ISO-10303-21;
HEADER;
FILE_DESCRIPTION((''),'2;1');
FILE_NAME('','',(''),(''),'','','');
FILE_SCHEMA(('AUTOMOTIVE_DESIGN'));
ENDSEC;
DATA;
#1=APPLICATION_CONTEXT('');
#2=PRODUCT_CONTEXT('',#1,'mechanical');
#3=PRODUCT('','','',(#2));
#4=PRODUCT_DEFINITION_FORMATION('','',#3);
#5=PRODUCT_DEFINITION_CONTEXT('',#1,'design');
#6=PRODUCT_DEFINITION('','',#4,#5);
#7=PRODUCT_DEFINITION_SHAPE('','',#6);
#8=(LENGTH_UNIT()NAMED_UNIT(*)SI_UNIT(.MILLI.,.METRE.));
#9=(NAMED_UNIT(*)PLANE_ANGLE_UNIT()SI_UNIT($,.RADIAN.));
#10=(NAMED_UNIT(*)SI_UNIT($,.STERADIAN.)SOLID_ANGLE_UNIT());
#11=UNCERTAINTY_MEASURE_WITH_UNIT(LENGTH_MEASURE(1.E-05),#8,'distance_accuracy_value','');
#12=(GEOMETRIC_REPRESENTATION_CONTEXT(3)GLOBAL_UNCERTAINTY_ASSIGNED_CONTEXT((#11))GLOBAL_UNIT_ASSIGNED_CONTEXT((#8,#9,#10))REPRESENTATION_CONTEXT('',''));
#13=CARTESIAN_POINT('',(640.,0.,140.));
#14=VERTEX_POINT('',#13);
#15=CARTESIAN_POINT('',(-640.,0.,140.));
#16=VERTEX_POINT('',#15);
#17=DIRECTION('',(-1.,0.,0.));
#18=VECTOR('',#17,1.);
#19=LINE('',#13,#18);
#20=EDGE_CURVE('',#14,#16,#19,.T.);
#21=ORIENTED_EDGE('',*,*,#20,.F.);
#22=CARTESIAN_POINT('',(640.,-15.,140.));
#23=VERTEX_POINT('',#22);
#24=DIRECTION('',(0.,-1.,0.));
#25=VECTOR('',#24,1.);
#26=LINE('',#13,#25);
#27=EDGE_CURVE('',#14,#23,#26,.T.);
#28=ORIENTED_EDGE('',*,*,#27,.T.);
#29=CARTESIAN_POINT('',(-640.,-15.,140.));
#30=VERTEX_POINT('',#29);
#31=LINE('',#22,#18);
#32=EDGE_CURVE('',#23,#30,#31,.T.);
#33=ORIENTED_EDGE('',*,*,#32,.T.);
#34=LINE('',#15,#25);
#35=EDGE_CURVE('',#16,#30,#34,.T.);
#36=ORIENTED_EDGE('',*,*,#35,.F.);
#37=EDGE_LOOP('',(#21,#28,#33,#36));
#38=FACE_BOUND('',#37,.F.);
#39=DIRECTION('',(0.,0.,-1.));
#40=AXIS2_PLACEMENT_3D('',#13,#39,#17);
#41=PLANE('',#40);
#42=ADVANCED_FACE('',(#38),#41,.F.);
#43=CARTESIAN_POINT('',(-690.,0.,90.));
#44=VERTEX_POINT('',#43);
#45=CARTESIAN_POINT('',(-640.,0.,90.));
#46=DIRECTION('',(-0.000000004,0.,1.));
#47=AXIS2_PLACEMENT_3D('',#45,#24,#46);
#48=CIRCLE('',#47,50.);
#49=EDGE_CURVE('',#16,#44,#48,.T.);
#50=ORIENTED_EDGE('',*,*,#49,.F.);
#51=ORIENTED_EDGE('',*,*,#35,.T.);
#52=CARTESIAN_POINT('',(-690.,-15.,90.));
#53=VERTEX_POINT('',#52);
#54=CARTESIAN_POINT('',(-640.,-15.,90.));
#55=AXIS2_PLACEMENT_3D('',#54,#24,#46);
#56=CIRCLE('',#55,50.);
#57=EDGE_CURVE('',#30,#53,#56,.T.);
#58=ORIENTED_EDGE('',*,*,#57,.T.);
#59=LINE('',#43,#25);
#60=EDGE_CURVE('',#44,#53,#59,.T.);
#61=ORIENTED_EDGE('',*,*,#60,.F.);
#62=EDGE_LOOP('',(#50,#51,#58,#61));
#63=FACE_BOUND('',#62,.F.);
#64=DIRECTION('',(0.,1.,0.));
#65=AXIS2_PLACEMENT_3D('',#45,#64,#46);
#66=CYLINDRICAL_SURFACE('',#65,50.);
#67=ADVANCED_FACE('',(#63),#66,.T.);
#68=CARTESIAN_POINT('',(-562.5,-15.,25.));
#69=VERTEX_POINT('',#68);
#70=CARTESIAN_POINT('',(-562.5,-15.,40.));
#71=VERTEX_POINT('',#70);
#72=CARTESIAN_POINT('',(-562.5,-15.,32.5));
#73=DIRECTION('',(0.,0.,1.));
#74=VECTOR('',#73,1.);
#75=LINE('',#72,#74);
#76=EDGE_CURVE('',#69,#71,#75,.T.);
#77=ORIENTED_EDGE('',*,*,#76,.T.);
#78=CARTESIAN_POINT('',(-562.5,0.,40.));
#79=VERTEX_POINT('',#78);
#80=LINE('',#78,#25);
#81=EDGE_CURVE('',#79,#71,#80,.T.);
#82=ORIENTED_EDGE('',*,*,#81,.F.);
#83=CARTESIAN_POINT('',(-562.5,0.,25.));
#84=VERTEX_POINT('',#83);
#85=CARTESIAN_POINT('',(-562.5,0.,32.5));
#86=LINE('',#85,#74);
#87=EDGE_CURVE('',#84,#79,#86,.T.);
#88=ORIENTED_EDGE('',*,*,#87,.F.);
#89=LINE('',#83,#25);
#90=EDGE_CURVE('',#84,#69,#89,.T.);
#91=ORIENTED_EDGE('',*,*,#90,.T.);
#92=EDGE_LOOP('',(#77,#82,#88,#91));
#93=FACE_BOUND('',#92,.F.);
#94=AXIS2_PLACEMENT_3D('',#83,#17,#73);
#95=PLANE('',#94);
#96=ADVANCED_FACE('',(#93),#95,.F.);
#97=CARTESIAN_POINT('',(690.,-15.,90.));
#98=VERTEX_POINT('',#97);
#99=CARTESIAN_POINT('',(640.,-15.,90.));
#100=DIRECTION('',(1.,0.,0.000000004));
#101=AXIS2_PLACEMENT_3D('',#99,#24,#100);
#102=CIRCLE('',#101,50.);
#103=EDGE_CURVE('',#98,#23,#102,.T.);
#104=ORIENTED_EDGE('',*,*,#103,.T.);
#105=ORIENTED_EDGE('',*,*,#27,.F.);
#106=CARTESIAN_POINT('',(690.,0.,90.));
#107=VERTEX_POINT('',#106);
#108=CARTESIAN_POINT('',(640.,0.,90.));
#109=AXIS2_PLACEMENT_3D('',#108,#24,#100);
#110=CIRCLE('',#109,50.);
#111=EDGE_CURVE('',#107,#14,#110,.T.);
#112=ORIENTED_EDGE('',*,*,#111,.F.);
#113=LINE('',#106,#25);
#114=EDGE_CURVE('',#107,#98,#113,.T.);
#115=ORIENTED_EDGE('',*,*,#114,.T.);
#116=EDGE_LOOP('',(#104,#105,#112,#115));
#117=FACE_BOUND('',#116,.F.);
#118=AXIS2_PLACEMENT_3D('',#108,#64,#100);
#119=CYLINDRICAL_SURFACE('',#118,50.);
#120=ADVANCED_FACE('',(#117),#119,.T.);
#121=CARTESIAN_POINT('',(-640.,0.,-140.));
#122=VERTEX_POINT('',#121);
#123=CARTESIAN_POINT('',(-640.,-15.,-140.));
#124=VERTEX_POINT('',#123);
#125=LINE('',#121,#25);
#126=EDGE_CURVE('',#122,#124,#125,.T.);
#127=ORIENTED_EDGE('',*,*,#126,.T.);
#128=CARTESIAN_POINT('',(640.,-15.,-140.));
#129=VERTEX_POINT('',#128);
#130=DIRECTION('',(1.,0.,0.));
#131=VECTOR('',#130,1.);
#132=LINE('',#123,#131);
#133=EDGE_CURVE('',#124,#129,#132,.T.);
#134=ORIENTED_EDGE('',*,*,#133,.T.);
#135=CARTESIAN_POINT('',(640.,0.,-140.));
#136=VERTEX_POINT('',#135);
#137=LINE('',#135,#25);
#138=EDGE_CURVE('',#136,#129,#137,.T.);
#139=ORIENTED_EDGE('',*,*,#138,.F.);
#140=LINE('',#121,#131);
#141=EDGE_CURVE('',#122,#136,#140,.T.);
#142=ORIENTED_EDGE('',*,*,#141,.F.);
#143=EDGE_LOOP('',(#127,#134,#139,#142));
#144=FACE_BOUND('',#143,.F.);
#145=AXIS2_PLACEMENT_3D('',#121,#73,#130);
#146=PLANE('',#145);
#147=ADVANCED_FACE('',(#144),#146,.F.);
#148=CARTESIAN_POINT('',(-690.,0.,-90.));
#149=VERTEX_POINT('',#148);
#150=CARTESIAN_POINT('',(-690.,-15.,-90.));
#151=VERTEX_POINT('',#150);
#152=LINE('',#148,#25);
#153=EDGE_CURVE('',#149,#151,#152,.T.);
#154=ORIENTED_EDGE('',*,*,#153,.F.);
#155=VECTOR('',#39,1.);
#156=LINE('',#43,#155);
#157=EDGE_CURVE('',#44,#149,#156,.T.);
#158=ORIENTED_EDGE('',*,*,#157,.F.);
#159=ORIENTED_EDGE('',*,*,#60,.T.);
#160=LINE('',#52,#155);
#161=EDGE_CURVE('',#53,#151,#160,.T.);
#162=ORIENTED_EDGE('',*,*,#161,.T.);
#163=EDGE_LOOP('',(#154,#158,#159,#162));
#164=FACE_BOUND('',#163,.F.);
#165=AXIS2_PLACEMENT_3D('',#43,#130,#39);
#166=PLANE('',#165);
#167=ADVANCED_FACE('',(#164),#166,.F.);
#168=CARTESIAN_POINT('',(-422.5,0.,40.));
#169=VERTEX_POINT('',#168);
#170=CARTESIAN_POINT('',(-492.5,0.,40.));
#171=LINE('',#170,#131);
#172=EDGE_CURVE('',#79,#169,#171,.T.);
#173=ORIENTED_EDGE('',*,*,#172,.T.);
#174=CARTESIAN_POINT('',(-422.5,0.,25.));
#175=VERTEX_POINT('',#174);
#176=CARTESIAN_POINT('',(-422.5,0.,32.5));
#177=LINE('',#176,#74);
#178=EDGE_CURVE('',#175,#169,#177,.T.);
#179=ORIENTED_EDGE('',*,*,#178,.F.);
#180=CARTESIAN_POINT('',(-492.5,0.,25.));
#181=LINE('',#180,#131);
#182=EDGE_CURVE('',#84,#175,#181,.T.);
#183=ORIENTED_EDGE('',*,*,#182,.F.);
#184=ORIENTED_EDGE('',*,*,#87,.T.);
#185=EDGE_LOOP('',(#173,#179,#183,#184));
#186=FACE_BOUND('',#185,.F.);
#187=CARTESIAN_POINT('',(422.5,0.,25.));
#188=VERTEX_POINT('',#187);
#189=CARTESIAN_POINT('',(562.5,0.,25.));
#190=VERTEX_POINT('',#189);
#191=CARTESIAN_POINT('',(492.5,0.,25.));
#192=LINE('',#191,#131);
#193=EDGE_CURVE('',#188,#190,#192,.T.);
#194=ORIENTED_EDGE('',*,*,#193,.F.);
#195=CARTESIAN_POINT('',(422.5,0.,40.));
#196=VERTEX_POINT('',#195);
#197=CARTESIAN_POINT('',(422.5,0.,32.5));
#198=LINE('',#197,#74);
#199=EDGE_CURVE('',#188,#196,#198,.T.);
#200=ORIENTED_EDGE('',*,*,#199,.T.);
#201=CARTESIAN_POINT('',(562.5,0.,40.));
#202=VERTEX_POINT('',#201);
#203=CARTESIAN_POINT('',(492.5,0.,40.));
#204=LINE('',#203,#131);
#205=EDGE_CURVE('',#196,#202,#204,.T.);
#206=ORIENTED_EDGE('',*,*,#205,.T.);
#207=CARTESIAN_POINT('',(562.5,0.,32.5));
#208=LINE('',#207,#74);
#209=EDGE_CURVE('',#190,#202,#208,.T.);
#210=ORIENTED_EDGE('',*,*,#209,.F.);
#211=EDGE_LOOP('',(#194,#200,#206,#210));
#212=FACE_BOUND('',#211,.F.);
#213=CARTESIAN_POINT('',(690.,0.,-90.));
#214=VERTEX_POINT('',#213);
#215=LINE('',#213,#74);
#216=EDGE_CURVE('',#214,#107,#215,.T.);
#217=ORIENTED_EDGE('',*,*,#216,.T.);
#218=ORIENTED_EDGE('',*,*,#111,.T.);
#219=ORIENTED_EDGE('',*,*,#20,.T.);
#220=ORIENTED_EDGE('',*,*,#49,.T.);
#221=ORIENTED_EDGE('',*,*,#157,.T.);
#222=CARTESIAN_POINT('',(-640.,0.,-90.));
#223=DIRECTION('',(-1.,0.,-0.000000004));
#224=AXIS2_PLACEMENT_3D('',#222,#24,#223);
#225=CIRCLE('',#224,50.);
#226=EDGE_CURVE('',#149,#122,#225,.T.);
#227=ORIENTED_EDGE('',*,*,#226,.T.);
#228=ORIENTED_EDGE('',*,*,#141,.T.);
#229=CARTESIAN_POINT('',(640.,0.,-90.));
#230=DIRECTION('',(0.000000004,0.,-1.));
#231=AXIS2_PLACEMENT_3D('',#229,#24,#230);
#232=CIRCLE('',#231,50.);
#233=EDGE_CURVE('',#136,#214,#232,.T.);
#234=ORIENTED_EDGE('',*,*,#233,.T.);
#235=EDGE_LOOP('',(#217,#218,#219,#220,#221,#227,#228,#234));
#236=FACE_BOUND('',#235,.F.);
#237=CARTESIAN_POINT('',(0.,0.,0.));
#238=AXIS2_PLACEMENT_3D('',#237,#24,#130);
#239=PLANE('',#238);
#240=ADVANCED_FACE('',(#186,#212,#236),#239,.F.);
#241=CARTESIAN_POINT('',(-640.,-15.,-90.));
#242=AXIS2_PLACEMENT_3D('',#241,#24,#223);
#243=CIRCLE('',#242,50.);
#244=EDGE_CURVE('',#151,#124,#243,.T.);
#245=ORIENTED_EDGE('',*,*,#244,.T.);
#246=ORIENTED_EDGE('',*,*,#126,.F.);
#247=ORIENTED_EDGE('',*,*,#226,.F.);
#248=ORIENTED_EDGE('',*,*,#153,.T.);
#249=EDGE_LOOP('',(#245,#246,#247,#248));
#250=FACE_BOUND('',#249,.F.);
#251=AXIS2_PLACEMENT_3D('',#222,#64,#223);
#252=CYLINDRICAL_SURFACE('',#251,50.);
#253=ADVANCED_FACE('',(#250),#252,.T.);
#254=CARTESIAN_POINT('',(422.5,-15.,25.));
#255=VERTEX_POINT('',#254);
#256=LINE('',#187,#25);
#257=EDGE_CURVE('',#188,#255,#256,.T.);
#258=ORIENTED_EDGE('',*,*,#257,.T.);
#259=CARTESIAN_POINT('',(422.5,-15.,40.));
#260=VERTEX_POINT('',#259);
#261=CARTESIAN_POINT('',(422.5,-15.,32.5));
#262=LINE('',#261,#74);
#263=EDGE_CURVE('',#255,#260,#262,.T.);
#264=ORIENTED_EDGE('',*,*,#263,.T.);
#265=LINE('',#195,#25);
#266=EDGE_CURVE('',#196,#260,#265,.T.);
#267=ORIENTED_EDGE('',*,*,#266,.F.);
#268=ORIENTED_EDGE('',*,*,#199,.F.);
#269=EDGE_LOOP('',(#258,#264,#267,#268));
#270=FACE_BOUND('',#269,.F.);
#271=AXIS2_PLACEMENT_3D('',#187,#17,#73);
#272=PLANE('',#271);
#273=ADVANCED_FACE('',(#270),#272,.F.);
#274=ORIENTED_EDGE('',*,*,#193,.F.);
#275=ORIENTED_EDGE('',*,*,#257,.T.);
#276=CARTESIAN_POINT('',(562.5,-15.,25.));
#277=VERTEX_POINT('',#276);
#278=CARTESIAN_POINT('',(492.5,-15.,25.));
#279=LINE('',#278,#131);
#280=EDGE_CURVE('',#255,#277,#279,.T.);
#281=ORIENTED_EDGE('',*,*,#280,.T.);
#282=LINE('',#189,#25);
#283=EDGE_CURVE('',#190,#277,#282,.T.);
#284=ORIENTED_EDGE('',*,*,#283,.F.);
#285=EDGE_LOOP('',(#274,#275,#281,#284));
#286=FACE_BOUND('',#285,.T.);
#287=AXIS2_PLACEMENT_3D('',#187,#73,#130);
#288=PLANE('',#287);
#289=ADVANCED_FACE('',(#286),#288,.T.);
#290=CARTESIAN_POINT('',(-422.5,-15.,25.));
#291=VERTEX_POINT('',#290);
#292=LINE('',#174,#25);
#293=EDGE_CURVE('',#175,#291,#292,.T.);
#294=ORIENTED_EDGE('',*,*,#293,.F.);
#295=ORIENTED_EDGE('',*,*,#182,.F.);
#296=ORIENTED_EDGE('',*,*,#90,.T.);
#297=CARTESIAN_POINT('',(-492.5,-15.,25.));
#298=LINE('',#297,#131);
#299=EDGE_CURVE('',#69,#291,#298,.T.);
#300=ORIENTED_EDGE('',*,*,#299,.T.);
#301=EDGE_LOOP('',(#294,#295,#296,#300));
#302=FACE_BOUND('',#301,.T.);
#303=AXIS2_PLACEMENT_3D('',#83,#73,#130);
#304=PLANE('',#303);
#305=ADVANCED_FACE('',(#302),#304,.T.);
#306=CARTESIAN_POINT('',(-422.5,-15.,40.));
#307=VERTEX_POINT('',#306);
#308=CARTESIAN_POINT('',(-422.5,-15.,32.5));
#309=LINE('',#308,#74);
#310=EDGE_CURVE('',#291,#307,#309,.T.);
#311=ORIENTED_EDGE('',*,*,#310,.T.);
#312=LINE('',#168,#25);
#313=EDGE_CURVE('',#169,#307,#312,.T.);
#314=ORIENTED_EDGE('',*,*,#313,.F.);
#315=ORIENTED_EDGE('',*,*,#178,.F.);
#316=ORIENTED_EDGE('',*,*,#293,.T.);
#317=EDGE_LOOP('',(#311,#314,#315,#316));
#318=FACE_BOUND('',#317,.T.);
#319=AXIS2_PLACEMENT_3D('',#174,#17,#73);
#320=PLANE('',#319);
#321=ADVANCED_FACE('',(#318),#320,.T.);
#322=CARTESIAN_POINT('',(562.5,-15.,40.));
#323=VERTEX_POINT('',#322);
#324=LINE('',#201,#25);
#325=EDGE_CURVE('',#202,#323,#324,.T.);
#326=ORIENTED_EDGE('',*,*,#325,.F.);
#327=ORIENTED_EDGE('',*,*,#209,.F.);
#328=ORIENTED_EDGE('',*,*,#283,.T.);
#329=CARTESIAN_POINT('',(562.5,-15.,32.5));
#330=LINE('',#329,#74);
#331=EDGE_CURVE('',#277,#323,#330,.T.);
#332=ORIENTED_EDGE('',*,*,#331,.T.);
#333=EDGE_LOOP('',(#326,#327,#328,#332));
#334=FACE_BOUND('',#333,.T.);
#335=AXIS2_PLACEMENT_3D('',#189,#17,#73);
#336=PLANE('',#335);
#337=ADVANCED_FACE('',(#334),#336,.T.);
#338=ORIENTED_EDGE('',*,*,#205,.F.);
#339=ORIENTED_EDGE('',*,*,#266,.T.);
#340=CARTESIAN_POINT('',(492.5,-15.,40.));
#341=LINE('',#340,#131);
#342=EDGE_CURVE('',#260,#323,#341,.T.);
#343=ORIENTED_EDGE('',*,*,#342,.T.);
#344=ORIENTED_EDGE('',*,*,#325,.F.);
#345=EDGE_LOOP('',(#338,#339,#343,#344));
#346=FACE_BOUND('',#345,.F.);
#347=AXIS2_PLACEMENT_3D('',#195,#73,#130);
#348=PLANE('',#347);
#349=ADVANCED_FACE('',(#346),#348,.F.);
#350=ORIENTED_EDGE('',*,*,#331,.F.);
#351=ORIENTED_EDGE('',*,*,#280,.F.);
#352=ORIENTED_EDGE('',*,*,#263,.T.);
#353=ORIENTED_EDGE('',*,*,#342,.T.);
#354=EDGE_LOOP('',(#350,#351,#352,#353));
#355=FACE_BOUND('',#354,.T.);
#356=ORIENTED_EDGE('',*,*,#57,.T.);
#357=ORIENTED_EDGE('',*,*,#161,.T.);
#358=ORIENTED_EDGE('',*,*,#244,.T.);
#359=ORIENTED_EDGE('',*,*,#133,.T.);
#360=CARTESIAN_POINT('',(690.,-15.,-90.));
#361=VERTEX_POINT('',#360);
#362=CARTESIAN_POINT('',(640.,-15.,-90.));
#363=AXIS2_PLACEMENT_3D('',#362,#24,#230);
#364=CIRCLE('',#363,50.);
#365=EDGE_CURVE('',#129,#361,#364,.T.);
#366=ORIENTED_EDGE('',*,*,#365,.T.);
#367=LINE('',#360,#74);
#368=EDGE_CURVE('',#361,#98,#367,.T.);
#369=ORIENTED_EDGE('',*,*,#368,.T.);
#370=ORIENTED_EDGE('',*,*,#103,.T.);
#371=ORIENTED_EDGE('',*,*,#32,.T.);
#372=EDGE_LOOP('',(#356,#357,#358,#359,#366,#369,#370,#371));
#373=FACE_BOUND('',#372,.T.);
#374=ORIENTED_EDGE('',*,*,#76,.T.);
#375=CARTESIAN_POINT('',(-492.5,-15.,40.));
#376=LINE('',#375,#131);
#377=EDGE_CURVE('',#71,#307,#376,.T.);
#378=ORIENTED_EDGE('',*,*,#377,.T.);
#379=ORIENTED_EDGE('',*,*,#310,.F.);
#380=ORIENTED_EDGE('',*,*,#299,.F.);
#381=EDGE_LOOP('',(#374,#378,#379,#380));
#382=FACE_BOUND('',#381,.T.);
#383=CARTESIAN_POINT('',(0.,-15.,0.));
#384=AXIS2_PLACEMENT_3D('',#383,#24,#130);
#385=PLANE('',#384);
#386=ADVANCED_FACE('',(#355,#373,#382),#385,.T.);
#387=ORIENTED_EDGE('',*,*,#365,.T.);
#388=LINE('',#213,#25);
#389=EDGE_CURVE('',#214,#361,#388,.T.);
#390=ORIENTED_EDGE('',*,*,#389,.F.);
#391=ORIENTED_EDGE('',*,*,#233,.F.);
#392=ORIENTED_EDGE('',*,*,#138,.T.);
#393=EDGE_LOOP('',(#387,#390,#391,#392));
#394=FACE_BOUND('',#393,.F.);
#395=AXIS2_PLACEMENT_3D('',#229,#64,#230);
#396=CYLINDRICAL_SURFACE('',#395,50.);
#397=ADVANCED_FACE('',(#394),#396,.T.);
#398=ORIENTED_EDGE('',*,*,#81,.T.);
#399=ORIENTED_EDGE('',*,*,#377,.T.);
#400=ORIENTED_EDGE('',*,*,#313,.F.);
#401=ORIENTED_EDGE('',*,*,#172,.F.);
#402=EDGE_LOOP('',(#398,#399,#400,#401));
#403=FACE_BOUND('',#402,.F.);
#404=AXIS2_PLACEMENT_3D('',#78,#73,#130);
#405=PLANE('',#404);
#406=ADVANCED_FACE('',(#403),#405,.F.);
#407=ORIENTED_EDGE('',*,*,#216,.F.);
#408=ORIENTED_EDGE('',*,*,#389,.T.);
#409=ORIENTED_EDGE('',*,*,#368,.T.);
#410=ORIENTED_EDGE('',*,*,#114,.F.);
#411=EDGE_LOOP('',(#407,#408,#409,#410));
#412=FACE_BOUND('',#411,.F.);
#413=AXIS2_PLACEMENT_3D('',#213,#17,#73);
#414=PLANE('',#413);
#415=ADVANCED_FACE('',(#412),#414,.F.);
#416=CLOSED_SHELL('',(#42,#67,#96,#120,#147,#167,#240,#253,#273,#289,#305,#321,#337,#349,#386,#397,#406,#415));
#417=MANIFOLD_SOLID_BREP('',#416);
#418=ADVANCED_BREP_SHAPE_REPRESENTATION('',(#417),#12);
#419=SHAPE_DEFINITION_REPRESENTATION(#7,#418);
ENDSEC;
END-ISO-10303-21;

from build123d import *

# Parameters (mm, degrees)
F0_W     = 140
F0_H     = 15
F1_DEPTH = 15


with BuildPart() as f1:
    # F0 (on Front) → F1 (new body)
    with BuildSketch(Plane.XZ):
        with BuildLine():
            Line((640, 140), (-640, 140))
            ThreePointArc((-640, 140), (-675.355339, 125.355339), (-690, 90))
            Line((-690, 90), (-690, -90))
            ThreePointArc((-690, -90), (-675.355339, -125.355339), (-640, -140))
            Line((-640, -140), (640, -140))
            ThreePointArc((640, -140), (675.355339, -125.355339), (690, -90))
            Line((690, -90), (690, 90))
            ThreePointArc((690, 90), (675.355339, 125.355339), (640, 140))
        make_face()
        with Locations((-492.5, 32.5)):
            Rectangle(F0_W, F0_H, mode=Mode.SUBTRACT)
        with Locations((492.5, 32.5)):
            Rectangle(F0_W, F0_H, mode=Mode.SUBTRACT)
    extrude(amount=F1_DEPTH)


solid = f1.part
